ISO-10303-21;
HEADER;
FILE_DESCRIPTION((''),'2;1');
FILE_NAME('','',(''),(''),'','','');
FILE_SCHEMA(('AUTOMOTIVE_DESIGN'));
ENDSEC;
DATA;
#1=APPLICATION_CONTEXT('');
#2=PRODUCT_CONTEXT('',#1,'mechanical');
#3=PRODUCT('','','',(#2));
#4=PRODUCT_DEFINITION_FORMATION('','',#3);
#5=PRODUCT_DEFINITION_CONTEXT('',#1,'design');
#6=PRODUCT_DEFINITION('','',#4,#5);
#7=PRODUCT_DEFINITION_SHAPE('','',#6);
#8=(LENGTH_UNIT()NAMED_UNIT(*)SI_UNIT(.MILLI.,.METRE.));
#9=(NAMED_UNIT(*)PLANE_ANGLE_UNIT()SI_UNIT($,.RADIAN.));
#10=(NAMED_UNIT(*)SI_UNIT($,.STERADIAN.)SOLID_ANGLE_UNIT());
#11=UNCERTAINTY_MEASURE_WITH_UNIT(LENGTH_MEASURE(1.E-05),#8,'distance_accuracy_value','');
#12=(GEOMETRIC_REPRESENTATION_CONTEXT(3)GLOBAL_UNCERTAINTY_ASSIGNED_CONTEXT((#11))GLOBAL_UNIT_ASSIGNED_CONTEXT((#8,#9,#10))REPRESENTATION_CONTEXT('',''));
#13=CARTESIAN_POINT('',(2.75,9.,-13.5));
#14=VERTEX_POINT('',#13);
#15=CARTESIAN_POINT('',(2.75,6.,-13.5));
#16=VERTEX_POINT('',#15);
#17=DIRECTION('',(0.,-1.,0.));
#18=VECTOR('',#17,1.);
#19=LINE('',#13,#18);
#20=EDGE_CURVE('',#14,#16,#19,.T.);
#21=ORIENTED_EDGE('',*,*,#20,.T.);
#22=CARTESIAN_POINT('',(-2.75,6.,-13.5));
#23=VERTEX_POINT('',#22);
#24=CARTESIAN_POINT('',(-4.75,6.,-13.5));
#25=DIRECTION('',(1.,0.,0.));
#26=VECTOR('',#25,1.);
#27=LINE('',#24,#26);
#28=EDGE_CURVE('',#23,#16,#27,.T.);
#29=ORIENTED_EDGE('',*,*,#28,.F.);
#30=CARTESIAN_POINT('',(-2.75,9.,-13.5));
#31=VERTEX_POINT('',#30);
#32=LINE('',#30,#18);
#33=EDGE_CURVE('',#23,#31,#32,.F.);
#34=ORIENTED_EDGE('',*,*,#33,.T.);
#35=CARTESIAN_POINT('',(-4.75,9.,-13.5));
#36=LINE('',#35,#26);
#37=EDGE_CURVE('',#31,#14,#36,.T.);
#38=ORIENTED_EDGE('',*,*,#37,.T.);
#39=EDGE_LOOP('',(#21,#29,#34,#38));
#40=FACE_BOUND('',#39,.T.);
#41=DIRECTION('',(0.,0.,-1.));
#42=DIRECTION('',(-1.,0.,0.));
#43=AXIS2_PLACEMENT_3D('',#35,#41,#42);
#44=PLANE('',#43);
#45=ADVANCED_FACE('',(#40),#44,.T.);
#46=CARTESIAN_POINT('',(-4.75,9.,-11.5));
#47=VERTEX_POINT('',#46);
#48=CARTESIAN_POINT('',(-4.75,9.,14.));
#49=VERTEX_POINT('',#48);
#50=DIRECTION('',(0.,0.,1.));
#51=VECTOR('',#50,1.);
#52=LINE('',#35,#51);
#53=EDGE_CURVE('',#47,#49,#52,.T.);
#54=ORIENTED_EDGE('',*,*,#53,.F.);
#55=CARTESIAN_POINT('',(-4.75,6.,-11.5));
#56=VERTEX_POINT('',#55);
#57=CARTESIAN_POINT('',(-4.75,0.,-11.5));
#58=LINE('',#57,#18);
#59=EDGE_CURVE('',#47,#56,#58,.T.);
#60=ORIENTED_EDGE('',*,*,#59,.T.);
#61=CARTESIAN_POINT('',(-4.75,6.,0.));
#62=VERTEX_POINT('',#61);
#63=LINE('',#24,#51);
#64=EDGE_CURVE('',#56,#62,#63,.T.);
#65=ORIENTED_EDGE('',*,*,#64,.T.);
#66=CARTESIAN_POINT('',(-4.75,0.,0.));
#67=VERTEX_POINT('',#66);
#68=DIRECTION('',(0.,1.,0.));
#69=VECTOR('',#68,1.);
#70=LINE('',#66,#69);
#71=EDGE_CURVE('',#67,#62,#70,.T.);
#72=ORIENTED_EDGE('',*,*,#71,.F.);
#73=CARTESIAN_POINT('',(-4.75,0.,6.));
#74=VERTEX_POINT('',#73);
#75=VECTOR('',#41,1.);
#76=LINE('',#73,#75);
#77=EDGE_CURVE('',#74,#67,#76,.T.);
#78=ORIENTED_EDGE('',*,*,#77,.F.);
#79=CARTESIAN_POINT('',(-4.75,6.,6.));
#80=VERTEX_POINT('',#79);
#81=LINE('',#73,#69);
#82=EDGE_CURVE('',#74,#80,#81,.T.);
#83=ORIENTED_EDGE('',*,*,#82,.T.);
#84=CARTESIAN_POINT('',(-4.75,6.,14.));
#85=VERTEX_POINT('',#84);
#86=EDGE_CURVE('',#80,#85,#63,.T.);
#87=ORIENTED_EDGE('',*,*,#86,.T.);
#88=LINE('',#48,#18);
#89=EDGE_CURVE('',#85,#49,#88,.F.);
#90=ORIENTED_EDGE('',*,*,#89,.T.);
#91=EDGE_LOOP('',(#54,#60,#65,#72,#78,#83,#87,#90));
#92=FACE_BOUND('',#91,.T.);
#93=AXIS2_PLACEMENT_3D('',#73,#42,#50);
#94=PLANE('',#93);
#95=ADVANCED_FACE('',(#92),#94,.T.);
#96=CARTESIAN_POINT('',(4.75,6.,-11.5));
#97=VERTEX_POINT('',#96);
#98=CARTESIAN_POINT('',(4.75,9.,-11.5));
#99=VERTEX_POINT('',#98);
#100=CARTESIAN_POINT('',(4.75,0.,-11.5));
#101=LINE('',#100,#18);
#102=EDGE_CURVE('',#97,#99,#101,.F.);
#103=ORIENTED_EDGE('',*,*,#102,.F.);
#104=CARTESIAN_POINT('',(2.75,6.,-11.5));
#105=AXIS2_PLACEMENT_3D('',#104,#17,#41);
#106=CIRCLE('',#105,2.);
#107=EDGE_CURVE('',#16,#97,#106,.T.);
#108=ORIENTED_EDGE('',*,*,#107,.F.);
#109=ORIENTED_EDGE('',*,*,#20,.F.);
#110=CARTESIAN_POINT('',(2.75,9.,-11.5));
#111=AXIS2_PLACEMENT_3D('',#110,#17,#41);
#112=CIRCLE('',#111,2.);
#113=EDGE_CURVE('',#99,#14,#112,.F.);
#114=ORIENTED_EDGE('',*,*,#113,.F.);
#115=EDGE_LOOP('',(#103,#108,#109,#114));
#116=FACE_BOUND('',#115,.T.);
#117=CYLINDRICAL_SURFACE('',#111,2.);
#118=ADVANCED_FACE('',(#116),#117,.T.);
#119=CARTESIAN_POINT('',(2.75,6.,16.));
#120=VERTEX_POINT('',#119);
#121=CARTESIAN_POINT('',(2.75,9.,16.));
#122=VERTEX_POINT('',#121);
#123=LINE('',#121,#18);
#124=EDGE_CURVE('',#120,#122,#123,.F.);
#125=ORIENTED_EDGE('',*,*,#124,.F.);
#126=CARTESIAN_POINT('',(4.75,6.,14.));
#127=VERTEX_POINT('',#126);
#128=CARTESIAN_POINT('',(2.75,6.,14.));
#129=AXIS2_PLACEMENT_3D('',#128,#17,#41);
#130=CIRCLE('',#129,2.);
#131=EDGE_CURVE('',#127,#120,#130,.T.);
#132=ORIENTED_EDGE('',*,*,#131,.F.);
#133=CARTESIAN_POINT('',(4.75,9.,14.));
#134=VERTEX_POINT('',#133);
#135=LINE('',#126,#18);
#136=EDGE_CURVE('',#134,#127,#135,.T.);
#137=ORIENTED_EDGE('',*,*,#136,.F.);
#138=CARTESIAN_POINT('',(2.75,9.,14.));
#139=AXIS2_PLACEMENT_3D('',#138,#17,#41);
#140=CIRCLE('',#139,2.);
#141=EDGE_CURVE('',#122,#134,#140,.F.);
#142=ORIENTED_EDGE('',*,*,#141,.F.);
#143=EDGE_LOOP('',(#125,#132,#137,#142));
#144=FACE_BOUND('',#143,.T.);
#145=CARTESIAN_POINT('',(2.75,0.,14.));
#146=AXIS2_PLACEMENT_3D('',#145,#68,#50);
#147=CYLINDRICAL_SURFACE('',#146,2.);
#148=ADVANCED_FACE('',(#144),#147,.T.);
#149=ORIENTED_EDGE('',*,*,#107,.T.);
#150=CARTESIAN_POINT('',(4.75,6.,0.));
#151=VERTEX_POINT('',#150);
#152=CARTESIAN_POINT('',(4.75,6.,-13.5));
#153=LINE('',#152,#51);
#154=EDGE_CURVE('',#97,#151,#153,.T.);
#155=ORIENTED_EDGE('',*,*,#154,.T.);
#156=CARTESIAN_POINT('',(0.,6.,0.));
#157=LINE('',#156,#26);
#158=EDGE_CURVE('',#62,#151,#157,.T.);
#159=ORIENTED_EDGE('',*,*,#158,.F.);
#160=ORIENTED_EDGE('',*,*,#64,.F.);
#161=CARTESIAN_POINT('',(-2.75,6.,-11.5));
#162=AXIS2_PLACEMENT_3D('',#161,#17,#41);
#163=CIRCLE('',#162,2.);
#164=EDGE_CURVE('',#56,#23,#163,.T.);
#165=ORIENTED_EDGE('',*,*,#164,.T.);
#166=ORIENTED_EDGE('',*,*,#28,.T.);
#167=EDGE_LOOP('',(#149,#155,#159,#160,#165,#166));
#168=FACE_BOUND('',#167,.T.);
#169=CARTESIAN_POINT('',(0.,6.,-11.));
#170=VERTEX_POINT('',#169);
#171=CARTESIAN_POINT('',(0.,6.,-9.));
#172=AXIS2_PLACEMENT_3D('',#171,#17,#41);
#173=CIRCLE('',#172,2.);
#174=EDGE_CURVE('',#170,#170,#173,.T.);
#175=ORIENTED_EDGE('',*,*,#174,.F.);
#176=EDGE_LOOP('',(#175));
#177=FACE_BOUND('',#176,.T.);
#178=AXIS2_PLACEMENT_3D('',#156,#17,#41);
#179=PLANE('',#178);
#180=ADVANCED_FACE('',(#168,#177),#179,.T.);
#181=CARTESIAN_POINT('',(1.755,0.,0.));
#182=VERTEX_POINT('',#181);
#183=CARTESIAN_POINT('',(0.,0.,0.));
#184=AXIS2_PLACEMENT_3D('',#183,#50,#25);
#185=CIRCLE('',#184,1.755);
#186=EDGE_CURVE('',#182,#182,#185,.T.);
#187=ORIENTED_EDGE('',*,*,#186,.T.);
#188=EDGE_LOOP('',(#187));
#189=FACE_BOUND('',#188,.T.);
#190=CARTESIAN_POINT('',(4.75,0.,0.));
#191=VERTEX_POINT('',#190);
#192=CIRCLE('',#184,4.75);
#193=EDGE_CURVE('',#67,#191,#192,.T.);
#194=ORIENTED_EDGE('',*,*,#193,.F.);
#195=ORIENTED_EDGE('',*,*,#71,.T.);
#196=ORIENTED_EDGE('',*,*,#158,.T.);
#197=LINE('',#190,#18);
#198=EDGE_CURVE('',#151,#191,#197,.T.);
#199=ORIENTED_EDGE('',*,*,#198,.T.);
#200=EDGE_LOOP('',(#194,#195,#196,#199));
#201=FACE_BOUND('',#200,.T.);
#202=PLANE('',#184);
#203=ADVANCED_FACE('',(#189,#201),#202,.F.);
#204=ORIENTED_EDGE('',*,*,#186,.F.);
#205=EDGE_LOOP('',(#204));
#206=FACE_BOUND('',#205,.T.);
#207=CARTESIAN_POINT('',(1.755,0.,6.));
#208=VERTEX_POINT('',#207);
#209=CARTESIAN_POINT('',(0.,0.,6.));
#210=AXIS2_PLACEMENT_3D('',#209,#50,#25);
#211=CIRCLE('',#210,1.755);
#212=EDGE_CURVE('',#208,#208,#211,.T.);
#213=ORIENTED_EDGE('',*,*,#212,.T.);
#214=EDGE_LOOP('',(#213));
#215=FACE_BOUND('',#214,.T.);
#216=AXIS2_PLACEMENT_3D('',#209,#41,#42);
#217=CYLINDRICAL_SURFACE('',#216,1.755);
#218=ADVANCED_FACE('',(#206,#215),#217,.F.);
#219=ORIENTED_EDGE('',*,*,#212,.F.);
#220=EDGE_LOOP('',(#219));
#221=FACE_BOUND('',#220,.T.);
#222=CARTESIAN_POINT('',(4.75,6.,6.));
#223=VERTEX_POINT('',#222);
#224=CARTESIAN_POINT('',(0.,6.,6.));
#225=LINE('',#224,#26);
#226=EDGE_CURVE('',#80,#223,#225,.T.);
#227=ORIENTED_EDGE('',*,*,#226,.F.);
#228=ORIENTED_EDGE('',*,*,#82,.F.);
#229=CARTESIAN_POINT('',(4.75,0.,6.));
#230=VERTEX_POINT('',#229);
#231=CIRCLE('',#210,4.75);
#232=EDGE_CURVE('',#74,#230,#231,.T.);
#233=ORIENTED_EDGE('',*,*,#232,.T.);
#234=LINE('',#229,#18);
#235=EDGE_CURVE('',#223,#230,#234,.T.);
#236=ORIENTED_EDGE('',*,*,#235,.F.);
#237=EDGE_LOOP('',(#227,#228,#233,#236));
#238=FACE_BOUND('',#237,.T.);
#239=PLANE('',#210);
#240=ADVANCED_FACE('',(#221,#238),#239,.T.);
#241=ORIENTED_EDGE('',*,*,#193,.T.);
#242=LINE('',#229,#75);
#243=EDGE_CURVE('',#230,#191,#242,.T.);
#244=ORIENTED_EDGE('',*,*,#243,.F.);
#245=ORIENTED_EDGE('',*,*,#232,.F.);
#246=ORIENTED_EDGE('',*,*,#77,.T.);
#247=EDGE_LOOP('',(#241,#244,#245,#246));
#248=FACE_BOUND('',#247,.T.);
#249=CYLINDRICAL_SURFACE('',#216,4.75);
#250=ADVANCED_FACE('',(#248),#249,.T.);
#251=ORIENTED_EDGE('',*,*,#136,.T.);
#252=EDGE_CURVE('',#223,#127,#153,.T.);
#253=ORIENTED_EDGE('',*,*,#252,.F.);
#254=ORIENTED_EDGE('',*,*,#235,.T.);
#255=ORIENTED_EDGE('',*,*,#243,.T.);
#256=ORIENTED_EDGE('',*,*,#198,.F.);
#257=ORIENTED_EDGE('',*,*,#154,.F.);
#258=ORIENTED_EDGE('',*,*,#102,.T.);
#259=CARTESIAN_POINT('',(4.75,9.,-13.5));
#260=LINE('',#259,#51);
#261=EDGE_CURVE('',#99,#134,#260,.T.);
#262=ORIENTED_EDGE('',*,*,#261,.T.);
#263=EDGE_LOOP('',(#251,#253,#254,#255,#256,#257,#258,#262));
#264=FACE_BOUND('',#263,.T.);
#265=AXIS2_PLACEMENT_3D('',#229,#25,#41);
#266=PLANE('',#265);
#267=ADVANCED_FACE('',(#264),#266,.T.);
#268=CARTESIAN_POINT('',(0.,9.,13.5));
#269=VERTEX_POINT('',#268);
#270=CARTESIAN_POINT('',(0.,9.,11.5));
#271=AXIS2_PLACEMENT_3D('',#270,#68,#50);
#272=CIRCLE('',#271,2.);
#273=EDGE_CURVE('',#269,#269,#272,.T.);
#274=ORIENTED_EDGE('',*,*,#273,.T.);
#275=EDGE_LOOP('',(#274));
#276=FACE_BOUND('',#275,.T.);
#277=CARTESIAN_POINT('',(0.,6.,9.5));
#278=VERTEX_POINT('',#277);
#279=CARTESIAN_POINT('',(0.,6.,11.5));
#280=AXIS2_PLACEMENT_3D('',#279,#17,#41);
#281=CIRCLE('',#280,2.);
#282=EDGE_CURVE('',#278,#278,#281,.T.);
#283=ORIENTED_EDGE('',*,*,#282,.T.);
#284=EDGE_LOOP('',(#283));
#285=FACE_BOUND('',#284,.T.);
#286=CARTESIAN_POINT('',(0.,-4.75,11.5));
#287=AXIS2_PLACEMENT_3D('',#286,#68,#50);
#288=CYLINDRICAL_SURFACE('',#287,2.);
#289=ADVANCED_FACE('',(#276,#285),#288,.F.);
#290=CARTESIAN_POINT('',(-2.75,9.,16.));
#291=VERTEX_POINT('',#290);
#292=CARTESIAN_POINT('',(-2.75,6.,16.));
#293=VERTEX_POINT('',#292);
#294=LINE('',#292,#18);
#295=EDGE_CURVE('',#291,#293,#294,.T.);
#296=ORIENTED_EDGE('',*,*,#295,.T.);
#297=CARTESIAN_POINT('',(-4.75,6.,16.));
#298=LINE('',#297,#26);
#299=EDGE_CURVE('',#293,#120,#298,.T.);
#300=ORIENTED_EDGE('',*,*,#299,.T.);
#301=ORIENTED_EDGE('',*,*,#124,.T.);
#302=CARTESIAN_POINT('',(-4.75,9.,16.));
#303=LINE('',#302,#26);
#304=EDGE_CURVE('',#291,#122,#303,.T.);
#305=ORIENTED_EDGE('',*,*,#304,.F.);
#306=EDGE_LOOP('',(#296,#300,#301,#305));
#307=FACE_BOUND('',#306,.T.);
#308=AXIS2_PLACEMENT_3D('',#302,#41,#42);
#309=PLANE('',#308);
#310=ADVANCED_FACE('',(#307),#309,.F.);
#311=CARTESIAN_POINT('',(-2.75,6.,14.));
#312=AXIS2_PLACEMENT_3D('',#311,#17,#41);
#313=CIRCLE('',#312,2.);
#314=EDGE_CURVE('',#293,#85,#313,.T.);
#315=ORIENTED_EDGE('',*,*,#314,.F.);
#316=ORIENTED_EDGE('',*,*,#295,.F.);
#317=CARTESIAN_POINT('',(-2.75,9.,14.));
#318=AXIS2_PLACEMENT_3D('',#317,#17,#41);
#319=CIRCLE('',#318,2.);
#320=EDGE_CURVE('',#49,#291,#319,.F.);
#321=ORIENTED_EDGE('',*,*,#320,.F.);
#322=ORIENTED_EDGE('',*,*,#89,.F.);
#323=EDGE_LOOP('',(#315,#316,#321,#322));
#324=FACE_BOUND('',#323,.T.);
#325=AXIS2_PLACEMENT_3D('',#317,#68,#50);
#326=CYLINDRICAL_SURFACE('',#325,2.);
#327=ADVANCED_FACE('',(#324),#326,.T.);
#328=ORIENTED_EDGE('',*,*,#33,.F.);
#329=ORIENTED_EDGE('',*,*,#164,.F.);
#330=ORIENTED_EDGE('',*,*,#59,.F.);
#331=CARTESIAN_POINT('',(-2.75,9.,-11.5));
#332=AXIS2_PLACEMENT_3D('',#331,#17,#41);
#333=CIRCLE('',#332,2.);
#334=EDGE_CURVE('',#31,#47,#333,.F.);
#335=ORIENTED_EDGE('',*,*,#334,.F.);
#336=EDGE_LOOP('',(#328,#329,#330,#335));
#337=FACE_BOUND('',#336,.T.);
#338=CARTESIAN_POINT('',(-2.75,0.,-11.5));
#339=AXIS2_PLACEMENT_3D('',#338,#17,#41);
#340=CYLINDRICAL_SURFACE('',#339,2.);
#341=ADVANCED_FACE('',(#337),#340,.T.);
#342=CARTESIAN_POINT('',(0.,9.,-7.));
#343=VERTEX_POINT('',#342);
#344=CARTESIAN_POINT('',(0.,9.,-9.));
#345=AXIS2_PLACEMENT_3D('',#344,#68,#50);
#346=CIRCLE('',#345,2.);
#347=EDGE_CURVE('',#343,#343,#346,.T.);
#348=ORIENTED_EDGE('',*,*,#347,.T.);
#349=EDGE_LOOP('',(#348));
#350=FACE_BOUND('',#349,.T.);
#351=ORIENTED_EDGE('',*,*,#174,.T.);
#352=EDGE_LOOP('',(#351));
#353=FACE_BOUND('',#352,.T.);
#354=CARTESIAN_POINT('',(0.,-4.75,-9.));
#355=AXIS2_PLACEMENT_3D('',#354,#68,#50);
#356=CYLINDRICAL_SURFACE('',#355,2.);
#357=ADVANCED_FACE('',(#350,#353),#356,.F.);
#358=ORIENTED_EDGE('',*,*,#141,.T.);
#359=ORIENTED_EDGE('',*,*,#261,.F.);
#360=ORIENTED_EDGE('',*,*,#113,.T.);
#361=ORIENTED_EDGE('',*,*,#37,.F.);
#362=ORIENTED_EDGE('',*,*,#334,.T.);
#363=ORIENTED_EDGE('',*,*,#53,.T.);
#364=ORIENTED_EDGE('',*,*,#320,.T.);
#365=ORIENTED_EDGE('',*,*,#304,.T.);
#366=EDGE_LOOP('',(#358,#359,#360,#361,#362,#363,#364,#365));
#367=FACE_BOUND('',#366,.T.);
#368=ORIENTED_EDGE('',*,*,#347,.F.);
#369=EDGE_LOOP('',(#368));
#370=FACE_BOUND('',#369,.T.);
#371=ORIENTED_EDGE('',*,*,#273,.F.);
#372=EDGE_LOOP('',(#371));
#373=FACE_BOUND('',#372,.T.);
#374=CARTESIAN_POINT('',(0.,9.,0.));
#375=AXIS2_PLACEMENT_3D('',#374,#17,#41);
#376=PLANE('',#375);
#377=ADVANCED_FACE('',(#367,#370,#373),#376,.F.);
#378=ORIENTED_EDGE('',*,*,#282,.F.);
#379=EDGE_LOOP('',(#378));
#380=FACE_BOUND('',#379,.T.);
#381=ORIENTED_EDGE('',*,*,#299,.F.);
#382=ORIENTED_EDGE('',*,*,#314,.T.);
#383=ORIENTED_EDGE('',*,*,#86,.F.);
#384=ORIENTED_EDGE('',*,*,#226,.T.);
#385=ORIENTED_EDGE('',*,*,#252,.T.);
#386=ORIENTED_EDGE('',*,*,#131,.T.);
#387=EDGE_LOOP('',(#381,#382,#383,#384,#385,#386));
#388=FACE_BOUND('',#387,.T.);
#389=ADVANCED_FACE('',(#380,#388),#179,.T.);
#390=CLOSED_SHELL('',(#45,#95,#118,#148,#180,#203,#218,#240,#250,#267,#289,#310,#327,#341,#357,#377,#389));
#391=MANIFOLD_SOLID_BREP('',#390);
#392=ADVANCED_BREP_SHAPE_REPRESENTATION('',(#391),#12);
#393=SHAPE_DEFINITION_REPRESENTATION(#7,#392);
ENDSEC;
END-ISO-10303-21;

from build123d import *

# Parameters (mm, degrees)
SKETCH2_R           = 1.755
BOSS_EXTRUDE1_DEPTH = 6
SKETCH3_W           = 9.5
SKETCH3_H           = 29.5
BOSS_EXTRUDE2_DEPTH = 3
SKETCH4_R           = 2
CUT_EXTRUDE1_DEPTH  = 22.624638725
FILLET1_R           = 2


with BuildPart() as part:
    # Sketch2 → Boss-Extrude1 (new body)
    with BuildSketch(Plane.XY):
        with BuildLine():
            Line((-4.75, 6), (-4.75, 0))
            ThreePointArc((-4.75, 0), (0, -4.75), (4.75, 0))
            Line((4.75, 0), (4.75, 6))
            Line((4.75, 6), (-4.75, 6))
        make_face()
        Circle(SKETCH2_R, mode=Mode.SUBTRACT)
    extrude(amount=BOSS_EXTRUDE1_DEPTH)

    # Sketch3 → Boss-Extrude2 (add)
    with BuildSketch(Plane(origin=(0, 6, 0), x_dir=(1, 0, 0), z_dir=(0, 1, 0))):
        with Locations((0, -1.25)):
            Rectangle(SKETCH3_W, SKETCH3_H)
    extrude(amount=BOSS_EXTRUDE2_DEPTH)

    # Sketch4 → Cut-Extrude1 (cut, through all)
    with BuildSketch(Plane(origin=(0, 9, 0), x_dir=(1, 0, 0), z_dir=(0, 1, 0))):
        with Locations(Location((0, -11.5, 0), (0, 0, 270))):
            Circle(SKETCH4_R)
        with Locations(Location((0, 9, 0), (0, 0, 270))):
            Circle(SKETCH4_R)
    extrude(amount=-CUT_EXTRUDE1_DEPTH, mode=Mode.SUBTRACT)

    # Fillet1
    fillet1_edges = [part.edges().sort_by_distance(p)[0] for p in [
        (4.75, 7.5, -13.5),
        (-4.75, 7.5, -13.5),
        (-4.75, 7.5, 16),
        (4.75, 7.5, 16),
    ]]
    fillet(fillet1_edges, radius=FILLET1_R)


solid = part.part
